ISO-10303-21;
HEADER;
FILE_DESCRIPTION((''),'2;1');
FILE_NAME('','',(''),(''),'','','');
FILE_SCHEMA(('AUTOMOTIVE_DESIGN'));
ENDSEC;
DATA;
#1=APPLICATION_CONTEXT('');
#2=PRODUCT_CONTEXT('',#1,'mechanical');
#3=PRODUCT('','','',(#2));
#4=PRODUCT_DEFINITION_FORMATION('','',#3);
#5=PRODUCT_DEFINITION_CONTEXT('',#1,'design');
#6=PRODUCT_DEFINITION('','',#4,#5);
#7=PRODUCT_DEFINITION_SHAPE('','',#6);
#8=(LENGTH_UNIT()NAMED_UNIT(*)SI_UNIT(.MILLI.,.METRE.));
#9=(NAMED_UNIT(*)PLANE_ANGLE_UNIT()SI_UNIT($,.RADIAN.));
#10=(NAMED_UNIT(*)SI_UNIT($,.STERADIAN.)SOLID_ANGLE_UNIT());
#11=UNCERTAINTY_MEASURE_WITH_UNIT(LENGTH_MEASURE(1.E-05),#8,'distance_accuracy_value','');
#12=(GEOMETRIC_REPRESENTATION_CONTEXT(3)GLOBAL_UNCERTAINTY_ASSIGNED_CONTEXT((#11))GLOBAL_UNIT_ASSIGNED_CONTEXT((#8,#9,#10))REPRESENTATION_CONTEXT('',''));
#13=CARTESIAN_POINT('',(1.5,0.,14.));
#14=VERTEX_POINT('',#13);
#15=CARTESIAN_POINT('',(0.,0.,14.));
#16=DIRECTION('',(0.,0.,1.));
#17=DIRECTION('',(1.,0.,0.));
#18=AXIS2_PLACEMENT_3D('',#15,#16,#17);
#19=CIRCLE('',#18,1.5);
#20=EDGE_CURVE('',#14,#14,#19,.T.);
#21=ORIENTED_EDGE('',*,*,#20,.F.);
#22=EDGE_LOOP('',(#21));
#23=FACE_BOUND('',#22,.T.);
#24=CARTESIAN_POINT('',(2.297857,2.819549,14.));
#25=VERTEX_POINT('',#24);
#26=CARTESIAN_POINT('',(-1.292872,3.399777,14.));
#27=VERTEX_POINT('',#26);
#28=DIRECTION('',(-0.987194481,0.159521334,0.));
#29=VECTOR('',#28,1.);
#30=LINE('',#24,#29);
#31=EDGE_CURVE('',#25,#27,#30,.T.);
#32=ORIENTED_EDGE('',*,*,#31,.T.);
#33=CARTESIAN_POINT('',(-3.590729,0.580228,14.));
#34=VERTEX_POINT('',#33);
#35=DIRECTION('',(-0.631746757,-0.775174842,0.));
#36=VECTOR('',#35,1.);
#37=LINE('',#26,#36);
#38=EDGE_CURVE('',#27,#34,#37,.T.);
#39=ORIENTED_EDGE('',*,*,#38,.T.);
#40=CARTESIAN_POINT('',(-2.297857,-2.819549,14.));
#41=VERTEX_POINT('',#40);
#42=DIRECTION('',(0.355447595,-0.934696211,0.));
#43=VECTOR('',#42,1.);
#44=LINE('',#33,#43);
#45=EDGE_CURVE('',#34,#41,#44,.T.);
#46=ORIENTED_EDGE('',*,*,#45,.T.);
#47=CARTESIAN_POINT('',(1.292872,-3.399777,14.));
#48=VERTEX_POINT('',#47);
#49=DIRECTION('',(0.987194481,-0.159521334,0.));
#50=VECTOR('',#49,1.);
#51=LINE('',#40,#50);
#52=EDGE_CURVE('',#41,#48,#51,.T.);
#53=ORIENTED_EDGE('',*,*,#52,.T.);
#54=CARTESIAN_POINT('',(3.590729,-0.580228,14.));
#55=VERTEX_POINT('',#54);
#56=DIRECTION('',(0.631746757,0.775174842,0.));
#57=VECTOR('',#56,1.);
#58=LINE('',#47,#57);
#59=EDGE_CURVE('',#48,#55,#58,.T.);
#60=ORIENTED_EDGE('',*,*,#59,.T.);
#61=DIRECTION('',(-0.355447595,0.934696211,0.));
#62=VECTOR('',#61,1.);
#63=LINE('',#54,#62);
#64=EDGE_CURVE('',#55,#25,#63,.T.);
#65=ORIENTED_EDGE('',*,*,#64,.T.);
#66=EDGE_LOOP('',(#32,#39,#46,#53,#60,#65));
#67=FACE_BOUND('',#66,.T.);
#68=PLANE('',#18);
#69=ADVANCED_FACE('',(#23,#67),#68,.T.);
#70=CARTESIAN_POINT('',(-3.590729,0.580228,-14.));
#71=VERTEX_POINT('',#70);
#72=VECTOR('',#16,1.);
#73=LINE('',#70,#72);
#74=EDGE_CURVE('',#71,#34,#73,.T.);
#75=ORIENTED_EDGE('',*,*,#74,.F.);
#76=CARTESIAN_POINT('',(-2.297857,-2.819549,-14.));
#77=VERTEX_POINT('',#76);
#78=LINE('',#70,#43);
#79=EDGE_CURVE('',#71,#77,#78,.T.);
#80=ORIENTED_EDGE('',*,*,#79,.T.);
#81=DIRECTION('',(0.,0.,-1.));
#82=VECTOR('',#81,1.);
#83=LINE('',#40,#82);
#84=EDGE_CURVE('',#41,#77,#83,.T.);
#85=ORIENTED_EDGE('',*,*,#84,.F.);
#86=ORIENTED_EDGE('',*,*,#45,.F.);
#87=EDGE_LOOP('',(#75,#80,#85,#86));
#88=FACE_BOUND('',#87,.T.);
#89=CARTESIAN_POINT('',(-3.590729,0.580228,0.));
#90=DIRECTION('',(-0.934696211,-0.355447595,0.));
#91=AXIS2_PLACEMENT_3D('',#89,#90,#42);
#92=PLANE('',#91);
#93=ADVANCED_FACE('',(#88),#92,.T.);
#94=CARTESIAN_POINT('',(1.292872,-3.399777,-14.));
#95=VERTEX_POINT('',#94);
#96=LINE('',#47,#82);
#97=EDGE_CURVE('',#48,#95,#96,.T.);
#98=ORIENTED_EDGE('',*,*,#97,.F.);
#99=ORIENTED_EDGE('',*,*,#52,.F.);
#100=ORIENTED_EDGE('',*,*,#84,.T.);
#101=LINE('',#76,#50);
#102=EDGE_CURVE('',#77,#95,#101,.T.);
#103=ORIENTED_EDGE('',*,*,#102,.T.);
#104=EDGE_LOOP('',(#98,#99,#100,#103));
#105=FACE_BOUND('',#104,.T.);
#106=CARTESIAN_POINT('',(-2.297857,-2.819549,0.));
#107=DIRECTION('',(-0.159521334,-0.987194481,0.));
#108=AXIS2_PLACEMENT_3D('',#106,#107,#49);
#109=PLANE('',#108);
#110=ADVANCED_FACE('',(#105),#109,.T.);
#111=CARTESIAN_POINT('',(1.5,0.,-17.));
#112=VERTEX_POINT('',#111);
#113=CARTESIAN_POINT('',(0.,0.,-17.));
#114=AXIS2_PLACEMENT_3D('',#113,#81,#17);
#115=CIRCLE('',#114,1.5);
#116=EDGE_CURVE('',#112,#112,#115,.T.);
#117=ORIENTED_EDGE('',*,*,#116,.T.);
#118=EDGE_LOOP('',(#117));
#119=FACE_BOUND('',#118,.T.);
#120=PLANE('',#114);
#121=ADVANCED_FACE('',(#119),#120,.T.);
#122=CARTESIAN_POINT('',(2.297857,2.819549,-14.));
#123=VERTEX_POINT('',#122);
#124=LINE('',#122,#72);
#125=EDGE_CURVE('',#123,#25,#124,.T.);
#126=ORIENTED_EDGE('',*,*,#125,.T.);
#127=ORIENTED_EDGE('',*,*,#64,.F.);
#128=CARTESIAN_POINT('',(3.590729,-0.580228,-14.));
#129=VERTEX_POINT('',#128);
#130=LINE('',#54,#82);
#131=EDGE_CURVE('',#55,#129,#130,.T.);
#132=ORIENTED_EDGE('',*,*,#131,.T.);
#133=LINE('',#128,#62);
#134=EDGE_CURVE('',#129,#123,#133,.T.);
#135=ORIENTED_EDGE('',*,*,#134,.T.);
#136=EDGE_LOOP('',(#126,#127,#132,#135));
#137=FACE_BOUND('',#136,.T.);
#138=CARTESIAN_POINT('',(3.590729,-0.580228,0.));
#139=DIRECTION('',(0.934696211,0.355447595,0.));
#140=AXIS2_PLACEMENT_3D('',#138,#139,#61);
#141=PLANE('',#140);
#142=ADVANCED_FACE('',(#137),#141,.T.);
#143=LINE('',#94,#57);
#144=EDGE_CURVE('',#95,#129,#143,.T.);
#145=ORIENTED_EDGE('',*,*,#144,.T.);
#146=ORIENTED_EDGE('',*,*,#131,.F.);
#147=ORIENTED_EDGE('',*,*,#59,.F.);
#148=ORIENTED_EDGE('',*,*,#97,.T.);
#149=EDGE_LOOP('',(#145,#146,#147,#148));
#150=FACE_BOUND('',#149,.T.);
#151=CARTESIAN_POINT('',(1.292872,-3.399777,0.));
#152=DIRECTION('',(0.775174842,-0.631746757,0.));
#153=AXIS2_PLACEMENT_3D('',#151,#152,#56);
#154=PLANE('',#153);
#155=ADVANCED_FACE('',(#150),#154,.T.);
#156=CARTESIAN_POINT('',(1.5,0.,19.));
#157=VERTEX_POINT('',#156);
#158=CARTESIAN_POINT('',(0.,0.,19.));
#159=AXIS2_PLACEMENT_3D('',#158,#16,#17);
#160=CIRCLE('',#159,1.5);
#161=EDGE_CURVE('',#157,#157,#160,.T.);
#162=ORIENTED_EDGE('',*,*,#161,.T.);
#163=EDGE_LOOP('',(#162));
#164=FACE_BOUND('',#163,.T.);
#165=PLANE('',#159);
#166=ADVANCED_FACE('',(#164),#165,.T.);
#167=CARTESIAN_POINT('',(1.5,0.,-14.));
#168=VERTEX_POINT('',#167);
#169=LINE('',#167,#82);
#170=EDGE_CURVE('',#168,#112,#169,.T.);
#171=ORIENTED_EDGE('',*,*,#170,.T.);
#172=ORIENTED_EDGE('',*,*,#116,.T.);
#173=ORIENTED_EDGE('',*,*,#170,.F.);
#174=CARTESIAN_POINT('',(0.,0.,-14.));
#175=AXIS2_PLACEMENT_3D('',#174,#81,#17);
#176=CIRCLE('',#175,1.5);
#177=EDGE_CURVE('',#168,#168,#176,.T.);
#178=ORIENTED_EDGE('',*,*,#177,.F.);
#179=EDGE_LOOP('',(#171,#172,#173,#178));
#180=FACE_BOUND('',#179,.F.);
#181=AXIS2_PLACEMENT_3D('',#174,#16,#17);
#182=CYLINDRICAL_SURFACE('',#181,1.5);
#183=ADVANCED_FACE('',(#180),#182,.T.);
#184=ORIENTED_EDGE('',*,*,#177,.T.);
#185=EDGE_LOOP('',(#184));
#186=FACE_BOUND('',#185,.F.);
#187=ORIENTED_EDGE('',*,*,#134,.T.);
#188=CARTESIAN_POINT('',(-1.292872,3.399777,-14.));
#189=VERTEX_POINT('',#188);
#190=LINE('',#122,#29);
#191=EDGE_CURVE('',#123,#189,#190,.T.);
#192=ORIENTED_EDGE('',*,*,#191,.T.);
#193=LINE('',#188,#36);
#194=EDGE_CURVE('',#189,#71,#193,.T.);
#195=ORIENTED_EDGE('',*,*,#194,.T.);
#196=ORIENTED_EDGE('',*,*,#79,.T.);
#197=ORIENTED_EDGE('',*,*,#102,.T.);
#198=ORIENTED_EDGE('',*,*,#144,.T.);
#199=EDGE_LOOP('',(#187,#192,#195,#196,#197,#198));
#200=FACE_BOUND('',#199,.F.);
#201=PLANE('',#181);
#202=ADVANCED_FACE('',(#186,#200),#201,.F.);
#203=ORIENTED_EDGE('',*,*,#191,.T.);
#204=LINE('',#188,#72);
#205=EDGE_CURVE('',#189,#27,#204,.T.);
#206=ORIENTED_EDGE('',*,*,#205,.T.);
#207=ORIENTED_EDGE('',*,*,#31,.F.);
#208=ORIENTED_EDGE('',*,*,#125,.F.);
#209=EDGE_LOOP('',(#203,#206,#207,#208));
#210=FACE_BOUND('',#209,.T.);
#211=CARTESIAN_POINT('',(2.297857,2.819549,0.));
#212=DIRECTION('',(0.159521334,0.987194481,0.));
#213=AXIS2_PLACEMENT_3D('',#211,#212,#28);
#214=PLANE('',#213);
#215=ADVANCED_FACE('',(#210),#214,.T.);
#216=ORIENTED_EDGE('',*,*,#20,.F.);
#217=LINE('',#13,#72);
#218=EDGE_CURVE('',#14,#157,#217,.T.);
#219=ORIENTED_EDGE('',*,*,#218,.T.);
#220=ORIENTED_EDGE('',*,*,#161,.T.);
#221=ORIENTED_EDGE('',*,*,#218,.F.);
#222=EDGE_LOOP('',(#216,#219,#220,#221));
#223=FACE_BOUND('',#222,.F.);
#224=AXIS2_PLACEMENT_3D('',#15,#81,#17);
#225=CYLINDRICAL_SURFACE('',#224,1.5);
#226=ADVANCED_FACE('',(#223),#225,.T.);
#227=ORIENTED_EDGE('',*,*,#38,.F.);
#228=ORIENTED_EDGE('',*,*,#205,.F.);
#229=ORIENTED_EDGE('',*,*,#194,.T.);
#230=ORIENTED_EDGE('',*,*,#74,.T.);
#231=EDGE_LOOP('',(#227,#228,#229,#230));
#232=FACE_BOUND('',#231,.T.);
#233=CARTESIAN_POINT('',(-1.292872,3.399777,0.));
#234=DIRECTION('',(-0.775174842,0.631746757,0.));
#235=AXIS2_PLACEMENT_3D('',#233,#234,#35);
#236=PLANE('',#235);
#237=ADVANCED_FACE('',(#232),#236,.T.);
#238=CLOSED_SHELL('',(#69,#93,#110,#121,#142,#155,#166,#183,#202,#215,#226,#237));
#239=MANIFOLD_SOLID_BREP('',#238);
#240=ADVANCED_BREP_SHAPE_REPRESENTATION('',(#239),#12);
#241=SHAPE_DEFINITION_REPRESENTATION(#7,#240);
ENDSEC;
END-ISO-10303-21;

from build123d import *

# Parameters (mm, degrees)
F0_R     = 1.5
F1_DEPTH = 14
F2_DEPTH = 14
F3_R     = 1.5
F4_DEPTH = 3
F5_R     = 1.5
F6_DEPTH = 5


with BuildPart() as f1:
    # F0 (on Top) → F1 (new body, symmetric)
    with BuildSketch(Plane.XY):
        Polygon((3.590729, -0.580228), (2.297857, 2.819549), (-1.292872, 3.399777), (-3.590729, 0.580228), (-2.297857, -2.819549), (1.292872, -3.399777), align=None)
        Circle(F0_R, mode=Mode.SUBTRACT)
    extrude(amount=F1_DEPTH, both=True)

    # F0 (on Top) → F2 (join, symmetric)
    with BuildSketch(Plane.XY):
        Circle(F0_R)
    extrude(amount=F2_DEPTH, both=True)

    # F3 (on face) → F4 (join)
    with BuildSketch(Plane(origin=(0, 0, -14), x_dir=(1, 0, 0), z_dir=(0, 0, -1))):
        Circle(F3_R)
    extrude(amount=F4_DEPTH)

    # F5 (on face) → F6 (join)
    with BuildSketch(Plane.XY.offset(14)):
        Circle(F5_R)
    extrude(amount=F6_DEPTH)


solid = f1.part
